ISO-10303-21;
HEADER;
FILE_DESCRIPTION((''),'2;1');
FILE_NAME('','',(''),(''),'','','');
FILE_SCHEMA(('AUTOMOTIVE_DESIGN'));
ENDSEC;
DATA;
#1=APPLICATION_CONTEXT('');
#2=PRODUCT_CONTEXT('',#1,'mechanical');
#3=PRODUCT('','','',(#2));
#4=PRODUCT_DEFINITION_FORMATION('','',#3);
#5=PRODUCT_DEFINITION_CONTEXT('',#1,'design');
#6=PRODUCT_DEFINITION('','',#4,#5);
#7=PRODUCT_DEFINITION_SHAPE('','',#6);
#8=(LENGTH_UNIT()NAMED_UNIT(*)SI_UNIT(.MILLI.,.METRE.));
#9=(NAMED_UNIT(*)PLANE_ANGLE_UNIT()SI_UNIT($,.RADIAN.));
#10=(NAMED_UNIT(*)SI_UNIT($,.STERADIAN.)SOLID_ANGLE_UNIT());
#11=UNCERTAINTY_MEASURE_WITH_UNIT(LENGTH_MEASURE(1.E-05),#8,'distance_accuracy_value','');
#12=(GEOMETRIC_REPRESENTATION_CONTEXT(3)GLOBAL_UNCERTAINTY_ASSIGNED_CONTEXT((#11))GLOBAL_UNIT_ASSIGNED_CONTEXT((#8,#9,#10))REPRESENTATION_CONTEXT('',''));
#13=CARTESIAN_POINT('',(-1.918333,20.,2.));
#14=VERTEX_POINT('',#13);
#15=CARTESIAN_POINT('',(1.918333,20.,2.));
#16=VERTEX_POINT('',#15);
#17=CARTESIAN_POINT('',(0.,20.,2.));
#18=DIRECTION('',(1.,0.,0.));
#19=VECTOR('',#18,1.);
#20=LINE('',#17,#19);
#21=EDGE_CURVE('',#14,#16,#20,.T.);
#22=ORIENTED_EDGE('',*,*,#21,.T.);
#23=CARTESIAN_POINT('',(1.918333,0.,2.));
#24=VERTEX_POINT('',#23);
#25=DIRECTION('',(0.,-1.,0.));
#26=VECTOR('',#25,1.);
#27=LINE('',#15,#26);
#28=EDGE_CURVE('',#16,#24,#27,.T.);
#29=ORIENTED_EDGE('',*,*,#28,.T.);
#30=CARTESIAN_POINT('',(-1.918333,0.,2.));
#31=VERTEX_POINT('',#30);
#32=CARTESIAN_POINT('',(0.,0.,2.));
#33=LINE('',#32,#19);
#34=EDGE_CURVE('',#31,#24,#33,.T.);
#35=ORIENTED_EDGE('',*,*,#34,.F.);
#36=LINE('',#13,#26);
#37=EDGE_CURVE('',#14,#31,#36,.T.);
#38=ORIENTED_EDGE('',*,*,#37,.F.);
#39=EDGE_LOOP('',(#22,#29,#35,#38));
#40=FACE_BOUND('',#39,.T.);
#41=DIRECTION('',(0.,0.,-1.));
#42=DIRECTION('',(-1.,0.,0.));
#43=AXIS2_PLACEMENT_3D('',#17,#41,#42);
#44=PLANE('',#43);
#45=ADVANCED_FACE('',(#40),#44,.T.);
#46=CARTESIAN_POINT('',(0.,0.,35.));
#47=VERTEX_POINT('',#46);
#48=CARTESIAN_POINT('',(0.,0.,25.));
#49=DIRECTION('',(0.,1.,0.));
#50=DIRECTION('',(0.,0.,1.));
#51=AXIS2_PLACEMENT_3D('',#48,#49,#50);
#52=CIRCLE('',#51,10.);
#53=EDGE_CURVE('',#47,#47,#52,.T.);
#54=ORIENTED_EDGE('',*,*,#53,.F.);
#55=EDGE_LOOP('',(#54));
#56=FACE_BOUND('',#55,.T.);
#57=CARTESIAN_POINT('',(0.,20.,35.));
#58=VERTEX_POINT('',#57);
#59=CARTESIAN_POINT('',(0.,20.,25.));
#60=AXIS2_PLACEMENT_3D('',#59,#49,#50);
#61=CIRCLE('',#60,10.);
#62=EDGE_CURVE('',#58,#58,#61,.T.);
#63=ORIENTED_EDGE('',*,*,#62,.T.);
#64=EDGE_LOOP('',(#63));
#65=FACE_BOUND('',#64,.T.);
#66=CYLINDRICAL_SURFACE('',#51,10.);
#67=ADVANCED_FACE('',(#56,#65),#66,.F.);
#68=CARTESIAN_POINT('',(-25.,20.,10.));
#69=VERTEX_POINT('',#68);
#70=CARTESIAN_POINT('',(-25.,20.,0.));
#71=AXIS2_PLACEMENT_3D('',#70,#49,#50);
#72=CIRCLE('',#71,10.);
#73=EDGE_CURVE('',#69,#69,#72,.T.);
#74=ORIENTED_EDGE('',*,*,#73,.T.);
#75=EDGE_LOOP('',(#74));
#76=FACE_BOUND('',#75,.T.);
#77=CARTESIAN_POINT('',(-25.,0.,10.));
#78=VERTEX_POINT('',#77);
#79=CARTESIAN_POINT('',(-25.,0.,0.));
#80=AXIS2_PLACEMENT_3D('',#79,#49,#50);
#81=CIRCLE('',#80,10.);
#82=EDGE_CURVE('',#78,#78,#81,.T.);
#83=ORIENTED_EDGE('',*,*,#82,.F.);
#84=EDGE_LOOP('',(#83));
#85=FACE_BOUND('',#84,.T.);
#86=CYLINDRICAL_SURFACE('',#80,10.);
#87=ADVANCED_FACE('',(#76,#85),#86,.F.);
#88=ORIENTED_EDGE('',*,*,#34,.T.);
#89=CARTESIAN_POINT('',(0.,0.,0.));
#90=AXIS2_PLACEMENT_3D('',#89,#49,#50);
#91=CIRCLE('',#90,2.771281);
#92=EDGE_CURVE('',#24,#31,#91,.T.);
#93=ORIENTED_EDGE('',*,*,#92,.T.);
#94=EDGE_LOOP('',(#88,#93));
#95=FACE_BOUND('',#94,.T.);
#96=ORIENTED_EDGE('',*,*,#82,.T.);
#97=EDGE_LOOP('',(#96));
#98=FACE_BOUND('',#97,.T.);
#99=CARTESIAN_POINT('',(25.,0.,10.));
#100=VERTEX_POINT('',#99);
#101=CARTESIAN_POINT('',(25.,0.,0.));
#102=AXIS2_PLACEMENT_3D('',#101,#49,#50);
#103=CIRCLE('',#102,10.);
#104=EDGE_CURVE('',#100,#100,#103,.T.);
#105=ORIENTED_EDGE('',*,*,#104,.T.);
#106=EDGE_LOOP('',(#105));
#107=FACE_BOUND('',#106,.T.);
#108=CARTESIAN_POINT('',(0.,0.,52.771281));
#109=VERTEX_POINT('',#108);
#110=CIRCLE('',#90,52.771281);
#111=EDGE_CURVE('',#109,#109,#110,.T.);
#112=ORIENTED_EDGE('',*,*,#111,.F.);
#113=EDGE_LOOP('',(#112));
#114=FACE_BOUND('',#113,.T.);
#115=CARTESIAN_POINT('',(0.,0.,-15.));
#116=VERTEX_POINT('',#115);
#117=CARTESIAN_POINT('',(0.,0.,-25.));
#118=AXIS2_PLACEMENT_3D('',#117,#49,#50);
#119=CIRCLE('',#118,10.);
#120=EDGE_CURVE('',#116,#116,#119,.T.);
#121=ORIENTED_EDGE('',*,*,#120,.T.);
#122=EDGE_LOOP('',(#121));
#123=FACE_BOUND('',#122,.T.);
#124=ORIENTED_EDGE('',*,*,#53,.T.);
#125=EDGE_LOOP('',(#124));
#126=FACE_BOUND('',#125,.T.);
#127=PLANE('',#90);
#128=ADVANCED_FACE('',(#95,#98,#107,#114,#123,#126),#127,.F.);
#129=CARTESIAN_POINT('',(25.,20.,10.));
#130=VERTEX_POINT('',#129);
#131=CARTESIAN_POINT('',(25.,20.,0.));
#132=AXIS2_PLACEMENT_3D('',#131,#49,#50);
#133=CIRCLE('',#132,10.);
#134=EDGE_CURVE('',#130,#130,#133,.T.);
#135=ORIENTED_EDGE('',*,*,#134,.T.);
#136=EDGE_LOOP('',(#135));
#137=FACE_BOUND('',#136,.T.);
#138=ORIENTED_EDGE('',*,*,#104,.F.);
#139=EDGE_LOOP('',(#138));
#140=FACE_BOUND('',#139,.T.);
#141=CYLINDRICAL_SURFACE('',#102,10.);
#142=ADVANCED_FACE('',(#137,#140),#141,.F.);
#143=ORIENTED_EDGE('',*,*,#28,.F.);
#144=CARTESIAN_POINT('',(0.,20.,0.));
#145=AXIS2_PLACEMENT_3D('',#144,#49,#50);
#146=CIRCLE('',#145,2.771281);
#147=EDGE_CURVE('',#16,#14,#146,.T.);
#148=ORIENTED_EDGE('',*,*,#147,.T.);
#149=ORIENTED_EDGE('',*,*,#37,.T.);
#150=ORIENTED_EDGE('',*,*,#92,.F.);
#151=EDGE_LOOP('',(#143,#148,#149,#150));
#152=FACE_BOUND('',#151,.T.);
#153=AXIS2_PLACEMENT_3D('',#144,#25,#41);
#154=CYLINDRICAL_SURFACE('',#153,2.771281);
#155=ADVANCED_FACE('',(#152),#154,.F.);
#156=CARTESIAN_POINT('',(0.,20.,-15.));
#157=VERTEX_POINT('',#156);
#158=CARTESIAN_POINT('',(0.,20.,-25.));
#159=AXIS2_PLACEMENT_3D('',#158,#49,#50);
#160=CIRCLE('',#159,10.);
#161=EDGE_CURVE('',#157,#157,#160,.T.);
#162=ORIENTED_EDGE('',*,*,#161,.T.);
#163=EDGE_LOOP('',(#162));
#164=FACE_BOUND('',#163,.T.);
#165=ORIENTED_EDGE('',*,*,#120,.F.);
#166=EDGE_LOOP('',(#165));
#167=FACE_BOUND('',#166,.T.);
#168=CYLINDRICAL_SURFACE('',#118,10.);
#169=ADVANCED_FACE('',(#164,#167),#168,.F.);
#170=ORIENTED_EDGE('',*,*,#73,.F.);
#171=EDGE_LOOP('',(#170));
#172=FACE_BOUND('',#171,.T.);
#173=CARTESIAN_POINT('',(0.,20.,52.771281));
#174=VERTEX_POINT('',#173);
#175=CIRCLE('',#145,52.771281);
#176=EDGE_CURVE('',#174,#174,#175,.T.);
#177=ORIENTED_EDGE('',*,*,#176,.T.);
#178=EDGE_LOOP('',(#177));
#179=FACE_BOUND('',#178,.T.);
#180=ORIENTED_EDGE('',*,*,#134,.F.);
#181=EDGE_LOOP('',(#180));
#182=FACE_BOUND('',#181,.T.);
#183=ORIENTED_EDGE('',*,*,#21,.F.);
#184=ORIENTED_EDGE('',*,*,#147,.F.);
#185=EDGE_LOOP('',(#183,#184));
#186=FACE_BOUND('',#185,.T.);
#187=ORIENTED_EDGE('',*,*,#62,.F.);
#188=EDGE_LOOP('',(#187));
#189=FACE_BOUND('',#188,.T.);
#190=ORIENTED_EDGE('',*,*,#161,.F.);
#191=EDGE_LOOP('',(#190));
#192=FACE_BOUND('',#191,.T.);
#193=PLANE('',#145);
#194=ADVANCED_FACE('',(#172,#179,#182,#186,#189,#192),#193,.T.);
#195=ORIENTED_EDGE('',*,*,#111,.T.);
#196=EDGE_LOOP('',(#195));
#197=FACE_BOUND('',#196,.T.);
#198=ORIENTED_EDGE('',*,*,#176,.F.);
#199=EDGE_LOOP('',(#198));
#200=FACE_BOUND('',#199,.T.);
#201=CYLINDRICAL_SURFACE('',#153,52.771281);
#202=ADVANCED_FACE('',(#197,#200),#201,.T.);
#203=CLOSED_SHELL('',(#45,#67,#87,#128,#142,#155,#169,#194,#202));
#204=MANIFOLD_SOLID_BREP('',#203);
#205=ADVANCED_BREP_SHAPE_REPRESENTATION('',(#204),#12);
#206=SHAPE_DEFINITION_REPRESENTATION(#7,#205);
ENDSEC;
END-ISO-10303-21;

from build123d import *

# Parameters (mm, degrees)
SKETCH1_R           = 52.771281292
BOSS_EXTRUDE1_DEPTH = 20
SKETCH3_R           = 10
CUT_EXTRUDE1_DEPTH  = 20


with BuildPart() as part:
    # Sketch1 → Boss-Extrude1 (new body)
    with BuildSketch(Plane(origin=(0, 0, 0), x_dir=(1, 0, 0), z_dir=(0, 1, 0))):
        Circle(SKETCH1_R)
        with BuildLine():
            Line((-1.918332609, -2), (1.918332609, -2))
            ThreePointArc((1.918332609, -2), (0, 2.771281292), (-1.918332609, -2))
        make_face(mode=Mode.SUBTRACT)
    extrude(amount=BOSS_EXTRUDE1_DEPTH)

    # Sketch3 → Cut-Extrude1 (cut)
    with BuildSketch(Plane(origin=(0, 20, 0), x_dir=(1, 0, 0), z_dir=(0, 1, 0))):
        with Locations((-25, 0)):
            Circle(SKETCH3_R)
        with Locations((0, 25)):
            Circle(SKETCH3_R)
        with Locations((25, 0)):
            Circle(SKETCH3_R)
        with Locations((0, -25)):
            Circle(SKETCH3_R)
    extrude(amount=-CUT_EXTRUDE1_DEPTH, mode=Mode.SUBTRACT)


solid = part.part
